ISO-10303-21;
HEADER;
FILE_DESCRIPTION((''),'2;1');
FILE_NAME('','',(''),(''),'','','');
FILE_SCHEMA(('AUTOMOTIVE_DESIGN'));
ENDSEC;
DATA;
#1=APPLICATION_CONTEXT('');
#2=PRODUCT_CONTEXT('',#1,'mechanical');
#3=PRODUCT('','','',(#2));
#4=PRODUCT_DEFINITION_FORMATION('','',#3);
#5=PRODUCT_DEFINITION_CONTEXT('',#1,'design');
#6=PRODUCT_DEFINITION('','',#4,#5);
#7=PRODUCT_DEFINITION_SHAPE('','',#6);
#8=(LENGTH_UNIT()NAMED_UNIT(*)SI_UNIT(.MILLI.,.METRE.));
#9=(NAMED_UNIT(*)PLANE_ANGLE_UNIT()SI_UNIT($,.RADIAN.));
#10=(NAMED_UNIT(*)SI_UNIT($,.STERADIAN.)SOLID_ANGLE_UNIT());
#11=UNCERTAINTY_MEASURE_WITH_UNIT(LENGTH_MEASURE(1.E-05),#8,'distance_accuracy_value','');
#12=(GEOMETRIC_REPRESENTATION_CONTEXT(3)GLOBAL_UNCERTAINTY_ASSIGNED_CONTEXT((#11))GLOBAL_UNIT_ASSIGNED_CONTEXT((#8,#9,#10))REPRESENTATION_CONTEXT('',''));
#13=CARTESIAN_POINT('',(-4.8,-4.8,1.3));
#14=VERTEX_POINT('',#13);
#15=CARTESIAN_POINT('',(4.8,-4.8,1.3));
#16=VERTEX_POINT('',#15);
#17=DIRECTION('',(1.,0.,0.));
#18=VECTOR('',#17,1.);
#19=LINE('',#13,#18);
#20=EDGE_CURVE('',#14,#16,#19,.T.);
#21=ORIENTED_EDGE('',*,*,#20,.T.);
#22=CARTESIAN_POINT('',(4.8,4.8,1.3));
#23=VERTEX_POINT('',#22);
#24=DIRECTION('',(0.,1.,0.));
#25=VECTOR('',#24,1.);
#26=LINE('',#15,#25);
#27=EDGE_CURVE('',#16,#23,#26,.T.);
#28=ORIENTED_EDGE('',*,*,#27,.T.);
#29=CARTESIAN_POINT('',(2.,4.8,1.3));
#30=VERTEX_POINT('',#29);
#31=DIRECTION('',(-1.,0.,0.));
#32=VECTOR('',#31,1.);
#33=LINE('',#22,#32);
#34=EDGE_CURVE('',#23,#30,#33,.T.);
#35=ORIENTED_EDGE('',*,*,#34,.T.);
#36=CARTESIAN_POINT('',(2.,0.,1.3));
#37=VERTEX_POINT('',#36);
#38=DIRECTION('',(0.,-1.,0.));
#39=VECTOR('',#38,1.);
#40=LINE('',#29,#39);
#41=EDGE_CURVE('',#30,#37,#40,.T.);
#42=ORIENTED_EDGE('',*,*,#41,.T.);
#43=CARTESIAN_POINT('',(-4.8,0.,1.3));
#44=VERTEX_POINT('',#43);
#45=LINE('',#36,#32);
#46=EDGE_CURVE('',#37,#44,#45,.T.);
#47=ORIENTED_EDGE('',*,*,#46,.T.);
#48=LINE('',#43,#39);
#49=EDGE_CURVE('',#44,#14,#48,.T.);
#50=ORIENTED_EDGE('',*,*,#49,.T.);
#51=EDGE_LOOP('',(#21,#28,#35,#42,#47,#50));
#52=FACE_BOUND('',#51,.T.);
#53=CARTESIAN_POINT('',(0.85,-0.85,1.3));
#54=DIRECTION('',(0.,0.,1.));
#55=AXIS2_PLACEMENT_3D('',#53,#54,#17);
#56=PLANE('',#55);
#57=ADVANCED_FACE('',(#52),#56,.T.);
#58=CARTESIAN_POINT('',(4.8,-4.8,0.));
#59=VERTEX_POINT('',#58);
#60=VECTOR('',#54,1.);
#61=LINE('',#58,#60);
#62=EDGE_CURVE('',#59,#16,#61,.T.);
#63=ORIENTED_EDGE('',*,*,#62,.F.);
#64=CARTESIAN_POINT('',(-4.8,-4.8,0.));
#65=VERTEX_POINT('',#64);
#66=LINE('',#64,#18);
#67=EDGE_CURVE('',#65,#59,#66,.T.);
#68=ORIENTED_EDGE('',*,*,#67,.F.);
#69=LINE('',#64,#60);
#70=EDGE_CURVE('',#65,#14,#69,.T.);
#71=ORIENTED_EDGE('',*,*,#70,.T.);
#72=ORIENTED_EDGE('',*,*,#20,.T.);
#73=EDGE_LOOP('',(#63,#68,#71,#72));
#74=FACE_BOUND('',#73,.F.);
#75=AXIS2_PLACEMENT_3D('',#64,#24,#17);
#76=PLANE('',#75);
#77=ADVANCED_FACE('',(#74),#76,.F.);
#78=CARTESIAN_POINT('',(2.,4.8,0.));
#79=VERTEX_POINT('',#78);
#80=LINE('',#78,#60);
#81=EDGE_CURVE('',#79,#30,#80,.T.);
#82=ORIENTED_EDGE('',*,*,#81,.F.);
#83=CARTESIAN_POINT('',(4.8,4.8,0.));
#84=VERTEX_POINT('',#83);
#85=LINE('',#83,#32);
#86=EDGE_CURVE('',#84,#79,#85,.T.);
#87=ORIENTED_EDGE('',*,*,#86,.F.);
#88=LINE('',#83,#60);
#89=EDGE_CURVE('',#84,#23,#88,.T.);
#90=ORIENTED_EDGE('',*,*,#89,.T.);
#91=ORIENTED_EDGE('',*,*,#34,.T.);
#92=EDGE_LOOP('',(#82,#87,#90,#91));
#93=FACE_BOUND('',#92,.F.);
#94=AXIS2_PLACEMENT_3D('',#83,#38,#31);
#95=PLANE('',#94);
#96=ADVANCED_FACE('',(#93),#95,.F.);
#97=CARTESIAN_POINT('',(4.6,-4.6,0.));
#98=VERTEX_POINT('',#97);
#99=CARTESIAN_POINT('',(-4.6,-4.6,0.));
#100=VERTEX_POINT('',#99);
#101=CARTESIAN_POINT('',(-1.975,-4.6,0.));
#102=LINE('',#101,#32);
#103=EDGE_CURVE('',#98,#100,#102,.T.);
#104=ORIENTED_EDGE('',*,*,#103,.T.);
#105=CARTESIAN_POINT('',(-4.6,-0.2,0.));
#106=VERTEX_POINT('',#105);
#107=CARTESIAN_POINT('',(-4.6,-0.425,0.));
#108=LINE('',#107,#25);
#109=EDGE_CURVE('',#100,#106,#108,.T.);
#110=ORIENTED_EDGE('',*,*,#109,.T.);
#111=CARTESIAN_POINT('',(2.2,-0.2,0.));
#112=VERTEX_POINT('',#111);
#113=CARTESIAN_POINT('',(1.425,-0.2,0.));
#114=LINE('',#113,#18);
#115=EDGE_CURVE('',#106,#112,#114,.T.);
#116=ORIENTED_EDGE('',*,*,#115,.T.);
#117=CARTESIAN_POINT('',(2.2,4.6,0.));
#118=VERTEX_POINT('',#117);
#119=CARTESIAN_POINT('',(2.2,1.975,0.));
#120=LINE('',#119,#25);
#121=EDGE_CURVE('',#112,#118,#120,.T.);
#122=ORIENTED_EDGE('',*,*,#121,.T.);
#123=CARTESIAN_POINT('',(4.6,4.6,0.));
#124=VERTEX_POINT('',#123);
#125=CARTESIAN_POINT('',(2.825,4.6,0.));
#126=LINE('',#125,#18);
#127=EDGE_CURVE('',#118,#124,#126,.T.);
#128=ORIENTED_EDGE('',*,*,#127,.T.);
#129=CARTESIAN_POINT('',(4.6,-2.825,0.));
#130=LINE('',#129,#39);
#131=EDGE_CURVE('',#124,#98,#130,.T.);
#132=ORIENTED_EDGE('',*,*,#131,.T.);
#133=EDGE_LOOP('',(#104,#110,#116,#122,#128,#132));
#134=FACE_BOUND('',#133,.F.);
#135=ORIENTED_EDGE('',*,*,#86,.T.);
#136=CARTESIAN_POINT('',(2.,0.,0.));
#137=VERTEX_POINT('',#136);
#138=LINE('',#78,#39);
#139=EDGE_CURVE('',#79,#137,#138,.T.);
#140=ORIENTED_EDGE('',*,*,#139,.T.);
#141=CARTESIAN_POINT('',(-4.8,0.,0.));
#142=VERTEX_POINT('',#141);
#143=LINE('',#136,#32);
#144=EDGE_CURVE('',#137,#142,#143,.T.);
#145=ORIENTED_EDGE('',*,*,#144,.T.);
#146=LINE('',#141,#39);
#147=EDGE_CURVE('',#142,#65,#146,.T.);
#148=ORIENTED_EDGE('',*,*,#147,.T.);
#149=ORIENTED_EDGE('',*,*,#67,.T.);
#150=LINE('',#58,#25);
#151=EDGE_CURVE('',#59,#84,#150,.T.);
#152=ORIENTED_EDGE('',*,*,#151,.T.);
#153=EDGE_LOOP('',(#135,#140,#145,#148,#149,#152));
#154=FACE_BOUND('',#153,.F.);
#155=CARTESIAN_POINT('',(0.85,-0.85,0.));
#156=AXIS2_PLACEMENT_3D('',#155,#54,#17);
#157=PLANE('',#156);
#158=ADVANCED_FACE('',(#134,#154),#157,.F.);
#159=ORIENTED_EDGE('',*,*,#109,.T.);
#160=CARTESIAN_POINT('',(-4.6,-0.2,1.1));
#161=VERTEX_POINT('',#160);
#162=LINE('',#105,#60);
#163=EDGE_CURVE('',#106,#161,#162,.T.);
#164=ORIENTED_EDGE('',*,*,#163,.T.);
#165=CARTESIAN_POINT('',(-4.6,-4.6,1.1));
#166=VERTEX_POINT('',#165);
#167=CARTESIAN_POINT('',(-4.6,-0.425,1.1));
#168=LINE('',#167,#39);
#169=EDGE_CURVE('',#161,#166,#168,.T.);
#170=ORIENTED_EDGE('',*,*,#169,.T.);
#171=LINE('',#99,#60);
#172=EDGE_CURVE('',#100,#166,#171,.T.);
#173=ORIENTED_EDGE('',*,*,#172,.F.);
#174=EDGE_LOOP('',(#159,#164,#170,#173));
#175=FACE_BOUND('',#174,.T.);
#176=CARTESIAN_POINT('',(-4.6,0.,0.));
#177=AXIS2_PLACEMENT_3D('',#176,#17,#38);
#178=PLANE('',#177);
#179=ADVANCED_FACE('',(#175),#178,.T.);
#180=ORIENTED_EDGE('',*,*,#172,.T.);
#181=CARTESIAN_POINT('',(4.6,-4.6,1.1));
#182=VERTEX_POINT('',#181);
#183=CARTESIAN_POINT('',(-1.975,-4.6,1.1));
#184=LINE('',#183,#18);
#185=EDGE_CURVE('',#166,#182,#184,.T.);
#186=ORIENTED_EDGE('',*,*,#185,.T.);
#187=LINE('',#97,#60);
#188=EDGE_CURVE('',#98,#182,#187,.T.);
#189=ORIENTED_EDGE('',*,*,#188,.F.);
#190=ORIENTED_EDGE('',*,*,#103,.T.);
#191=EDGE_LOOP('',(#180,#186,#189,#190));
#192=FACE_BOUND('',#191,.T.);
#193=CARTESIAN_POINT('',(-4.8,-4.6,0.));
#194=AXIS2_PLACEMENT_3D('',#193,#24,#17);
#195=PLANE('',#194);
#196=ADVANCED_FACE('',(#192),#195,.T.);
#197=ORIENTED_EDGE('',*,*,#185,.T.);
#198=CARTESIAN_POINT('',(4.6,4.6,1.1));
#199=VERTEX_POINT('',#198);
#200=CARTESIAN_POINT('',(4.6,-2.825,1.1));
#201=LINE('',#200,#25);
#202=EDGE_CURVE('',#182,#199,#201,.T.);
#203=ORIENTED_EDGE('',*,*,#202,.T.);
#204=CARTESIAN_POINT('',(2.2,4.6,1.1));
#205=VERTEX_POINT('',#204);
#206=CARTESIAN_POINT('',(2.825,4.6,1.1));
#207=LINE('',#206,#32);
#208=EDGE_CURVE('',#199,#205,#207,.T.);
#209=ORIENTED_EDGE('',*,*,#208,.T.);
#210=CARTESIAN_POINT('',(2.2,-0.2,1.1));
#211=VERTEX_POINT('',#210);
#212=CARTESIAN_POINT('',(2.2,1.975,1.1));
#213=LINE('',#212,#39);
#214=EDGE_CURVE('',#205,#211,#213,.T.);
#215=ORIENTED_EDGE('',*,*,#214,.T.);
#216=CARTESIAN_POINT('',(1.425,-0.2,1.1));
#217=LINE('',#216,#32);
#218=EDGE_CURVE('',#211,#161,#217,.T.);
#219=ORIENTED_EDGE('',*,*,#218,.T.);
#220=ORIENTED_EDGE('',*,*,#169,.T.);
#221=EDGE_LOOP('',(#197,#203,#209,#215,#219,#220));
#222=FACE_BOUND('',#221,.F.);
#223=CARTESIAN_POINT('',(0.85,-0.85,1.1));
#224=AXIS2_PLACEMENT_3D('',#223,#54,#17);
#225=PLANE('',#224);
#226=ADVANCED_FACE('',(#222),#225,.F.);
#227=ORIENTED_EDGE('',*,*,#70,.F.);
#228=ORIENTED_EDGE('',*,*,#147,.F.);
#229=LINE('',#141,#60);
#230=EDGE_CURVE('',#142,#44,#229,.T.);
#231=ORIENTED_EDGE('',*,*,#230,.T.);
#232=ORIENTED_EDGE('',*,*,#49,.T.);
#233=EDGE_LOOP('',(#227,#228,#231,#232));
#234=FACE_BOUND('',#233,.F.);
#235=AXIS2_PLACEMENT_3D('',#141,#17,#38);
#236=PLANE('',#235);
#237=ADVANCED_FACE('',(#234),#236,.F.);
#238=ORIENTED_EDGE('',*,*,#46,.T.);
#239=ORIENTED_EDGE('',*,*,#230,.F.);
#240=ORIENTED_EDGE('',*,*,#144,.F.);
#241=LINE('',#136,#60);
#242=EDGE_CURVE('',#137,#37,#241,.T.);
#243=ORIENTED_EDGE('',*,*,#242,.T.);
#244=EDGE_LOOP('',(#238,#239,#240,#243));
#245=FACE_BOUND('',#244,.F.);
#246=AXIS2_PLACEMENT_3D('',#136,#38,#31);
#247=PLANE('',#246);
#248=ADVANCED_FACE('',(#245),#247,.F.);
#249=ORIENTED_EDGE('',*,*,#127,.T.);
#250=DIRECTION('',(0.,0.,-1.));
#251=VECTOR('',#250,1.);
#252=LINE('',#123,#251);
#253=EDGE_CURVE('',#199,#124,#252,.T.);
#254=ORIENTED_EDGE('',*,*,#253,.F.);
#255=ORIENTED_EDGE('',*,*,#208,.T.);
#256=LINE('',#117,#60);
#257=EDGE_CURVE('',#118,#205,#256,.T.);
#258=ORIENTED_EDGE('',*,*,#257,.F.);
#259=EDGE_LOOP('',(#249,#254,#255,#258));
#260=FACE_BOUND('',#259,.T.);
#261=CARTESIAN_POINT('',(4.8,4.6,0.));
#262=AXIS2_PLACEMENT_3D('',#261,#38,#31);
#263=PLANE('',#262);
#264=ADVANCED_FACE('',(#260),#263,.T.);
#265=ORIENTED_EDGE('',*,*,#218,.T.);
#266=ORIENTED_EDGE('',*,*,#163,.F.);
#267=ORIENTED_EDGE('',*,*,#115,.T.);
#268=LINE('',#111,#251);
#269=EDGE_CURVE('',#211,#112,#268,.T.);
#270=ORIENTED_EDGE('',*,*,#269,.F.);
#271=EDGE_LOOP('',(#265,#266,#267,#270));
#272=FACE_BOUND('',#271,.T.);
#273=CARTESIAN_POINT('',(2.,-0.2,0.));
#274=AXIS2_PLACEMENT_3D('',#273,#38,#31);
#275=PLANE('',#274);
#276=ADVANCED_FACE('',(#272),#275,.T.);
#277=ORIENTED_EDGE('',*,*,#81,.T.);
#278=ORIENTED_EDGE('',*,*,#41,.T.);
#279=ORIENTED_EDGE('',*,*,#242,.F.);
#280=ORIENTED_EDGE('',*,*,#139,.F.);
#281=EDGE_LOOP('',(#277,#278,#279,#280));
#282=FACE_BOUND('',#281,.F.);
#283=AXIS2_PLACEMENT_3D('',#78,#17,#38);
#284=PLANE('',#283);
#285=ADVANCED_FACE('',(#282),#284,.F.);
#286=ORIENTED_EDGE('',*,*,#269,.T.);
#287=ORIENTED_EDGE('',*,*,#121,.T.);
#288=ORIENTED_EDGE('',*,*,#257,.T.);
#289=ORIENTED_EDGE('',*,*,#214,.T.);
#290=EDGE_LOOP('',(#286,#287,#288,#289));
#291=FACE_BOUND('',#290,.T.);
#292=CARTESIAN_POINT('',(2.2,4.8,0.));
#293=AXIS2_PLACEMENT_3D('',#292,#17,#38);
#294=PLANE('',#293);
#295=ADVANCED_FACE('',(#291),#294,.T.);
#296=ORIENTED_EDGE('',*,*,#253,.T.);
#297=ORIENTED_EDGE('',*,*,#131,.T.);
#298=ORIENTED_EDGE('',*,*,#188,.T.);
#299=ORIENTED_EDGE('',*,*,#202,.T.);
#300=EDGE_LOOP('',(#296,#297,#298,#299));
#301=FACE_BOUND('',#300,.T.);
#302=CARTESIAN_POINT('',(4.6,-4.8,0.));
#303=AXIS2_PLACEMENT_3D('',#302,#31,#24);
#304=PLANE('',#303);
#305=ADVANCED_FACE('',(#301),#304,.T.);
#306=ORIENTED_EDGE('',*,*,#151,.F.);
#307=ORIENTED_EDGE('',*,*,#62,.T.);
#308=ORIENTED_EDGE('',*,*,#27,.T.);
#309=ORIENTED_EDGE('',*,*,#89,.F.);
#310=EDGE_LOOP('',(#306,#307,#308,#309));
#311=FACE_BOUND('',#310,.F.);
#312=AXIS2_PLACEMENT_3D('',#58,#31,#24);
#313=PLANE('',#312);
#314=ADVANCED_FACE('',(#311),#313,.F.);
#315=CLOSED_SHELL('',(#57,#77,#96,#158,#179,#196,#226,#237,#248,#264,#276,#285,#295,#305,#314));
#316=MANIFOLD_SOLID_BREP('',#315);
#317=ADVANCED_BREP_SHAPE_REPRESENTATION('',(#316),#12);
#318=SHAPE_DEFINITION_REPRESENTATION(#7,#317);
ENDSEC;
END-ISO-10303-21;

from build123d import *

# Parameters (mm, degrees)
F1_DEPTH = 1.3
F2_T     = -0.2


with BuildPart() as f1:
    # F0 (on Top) → F1 (new body)
    with BuildSketch(Plane.XY):
        Polygon((4.8, 4.8), (2, 4.8), (2, 0), (-4.8, 0), (-4.8, -4.8), (4.8, -4.8), align=None)
    extrude(amount=F1_DEPTH)

    # F2
    f2_openings = [f1.faces().sort_by_distance(p)[0] for p in [
        (0.767742, -1.316129, 0),
    ]]
    offset(amount=F2_T, openings=f2_openings, kind=Kind.INTERSECTION)


solid = f1.part
